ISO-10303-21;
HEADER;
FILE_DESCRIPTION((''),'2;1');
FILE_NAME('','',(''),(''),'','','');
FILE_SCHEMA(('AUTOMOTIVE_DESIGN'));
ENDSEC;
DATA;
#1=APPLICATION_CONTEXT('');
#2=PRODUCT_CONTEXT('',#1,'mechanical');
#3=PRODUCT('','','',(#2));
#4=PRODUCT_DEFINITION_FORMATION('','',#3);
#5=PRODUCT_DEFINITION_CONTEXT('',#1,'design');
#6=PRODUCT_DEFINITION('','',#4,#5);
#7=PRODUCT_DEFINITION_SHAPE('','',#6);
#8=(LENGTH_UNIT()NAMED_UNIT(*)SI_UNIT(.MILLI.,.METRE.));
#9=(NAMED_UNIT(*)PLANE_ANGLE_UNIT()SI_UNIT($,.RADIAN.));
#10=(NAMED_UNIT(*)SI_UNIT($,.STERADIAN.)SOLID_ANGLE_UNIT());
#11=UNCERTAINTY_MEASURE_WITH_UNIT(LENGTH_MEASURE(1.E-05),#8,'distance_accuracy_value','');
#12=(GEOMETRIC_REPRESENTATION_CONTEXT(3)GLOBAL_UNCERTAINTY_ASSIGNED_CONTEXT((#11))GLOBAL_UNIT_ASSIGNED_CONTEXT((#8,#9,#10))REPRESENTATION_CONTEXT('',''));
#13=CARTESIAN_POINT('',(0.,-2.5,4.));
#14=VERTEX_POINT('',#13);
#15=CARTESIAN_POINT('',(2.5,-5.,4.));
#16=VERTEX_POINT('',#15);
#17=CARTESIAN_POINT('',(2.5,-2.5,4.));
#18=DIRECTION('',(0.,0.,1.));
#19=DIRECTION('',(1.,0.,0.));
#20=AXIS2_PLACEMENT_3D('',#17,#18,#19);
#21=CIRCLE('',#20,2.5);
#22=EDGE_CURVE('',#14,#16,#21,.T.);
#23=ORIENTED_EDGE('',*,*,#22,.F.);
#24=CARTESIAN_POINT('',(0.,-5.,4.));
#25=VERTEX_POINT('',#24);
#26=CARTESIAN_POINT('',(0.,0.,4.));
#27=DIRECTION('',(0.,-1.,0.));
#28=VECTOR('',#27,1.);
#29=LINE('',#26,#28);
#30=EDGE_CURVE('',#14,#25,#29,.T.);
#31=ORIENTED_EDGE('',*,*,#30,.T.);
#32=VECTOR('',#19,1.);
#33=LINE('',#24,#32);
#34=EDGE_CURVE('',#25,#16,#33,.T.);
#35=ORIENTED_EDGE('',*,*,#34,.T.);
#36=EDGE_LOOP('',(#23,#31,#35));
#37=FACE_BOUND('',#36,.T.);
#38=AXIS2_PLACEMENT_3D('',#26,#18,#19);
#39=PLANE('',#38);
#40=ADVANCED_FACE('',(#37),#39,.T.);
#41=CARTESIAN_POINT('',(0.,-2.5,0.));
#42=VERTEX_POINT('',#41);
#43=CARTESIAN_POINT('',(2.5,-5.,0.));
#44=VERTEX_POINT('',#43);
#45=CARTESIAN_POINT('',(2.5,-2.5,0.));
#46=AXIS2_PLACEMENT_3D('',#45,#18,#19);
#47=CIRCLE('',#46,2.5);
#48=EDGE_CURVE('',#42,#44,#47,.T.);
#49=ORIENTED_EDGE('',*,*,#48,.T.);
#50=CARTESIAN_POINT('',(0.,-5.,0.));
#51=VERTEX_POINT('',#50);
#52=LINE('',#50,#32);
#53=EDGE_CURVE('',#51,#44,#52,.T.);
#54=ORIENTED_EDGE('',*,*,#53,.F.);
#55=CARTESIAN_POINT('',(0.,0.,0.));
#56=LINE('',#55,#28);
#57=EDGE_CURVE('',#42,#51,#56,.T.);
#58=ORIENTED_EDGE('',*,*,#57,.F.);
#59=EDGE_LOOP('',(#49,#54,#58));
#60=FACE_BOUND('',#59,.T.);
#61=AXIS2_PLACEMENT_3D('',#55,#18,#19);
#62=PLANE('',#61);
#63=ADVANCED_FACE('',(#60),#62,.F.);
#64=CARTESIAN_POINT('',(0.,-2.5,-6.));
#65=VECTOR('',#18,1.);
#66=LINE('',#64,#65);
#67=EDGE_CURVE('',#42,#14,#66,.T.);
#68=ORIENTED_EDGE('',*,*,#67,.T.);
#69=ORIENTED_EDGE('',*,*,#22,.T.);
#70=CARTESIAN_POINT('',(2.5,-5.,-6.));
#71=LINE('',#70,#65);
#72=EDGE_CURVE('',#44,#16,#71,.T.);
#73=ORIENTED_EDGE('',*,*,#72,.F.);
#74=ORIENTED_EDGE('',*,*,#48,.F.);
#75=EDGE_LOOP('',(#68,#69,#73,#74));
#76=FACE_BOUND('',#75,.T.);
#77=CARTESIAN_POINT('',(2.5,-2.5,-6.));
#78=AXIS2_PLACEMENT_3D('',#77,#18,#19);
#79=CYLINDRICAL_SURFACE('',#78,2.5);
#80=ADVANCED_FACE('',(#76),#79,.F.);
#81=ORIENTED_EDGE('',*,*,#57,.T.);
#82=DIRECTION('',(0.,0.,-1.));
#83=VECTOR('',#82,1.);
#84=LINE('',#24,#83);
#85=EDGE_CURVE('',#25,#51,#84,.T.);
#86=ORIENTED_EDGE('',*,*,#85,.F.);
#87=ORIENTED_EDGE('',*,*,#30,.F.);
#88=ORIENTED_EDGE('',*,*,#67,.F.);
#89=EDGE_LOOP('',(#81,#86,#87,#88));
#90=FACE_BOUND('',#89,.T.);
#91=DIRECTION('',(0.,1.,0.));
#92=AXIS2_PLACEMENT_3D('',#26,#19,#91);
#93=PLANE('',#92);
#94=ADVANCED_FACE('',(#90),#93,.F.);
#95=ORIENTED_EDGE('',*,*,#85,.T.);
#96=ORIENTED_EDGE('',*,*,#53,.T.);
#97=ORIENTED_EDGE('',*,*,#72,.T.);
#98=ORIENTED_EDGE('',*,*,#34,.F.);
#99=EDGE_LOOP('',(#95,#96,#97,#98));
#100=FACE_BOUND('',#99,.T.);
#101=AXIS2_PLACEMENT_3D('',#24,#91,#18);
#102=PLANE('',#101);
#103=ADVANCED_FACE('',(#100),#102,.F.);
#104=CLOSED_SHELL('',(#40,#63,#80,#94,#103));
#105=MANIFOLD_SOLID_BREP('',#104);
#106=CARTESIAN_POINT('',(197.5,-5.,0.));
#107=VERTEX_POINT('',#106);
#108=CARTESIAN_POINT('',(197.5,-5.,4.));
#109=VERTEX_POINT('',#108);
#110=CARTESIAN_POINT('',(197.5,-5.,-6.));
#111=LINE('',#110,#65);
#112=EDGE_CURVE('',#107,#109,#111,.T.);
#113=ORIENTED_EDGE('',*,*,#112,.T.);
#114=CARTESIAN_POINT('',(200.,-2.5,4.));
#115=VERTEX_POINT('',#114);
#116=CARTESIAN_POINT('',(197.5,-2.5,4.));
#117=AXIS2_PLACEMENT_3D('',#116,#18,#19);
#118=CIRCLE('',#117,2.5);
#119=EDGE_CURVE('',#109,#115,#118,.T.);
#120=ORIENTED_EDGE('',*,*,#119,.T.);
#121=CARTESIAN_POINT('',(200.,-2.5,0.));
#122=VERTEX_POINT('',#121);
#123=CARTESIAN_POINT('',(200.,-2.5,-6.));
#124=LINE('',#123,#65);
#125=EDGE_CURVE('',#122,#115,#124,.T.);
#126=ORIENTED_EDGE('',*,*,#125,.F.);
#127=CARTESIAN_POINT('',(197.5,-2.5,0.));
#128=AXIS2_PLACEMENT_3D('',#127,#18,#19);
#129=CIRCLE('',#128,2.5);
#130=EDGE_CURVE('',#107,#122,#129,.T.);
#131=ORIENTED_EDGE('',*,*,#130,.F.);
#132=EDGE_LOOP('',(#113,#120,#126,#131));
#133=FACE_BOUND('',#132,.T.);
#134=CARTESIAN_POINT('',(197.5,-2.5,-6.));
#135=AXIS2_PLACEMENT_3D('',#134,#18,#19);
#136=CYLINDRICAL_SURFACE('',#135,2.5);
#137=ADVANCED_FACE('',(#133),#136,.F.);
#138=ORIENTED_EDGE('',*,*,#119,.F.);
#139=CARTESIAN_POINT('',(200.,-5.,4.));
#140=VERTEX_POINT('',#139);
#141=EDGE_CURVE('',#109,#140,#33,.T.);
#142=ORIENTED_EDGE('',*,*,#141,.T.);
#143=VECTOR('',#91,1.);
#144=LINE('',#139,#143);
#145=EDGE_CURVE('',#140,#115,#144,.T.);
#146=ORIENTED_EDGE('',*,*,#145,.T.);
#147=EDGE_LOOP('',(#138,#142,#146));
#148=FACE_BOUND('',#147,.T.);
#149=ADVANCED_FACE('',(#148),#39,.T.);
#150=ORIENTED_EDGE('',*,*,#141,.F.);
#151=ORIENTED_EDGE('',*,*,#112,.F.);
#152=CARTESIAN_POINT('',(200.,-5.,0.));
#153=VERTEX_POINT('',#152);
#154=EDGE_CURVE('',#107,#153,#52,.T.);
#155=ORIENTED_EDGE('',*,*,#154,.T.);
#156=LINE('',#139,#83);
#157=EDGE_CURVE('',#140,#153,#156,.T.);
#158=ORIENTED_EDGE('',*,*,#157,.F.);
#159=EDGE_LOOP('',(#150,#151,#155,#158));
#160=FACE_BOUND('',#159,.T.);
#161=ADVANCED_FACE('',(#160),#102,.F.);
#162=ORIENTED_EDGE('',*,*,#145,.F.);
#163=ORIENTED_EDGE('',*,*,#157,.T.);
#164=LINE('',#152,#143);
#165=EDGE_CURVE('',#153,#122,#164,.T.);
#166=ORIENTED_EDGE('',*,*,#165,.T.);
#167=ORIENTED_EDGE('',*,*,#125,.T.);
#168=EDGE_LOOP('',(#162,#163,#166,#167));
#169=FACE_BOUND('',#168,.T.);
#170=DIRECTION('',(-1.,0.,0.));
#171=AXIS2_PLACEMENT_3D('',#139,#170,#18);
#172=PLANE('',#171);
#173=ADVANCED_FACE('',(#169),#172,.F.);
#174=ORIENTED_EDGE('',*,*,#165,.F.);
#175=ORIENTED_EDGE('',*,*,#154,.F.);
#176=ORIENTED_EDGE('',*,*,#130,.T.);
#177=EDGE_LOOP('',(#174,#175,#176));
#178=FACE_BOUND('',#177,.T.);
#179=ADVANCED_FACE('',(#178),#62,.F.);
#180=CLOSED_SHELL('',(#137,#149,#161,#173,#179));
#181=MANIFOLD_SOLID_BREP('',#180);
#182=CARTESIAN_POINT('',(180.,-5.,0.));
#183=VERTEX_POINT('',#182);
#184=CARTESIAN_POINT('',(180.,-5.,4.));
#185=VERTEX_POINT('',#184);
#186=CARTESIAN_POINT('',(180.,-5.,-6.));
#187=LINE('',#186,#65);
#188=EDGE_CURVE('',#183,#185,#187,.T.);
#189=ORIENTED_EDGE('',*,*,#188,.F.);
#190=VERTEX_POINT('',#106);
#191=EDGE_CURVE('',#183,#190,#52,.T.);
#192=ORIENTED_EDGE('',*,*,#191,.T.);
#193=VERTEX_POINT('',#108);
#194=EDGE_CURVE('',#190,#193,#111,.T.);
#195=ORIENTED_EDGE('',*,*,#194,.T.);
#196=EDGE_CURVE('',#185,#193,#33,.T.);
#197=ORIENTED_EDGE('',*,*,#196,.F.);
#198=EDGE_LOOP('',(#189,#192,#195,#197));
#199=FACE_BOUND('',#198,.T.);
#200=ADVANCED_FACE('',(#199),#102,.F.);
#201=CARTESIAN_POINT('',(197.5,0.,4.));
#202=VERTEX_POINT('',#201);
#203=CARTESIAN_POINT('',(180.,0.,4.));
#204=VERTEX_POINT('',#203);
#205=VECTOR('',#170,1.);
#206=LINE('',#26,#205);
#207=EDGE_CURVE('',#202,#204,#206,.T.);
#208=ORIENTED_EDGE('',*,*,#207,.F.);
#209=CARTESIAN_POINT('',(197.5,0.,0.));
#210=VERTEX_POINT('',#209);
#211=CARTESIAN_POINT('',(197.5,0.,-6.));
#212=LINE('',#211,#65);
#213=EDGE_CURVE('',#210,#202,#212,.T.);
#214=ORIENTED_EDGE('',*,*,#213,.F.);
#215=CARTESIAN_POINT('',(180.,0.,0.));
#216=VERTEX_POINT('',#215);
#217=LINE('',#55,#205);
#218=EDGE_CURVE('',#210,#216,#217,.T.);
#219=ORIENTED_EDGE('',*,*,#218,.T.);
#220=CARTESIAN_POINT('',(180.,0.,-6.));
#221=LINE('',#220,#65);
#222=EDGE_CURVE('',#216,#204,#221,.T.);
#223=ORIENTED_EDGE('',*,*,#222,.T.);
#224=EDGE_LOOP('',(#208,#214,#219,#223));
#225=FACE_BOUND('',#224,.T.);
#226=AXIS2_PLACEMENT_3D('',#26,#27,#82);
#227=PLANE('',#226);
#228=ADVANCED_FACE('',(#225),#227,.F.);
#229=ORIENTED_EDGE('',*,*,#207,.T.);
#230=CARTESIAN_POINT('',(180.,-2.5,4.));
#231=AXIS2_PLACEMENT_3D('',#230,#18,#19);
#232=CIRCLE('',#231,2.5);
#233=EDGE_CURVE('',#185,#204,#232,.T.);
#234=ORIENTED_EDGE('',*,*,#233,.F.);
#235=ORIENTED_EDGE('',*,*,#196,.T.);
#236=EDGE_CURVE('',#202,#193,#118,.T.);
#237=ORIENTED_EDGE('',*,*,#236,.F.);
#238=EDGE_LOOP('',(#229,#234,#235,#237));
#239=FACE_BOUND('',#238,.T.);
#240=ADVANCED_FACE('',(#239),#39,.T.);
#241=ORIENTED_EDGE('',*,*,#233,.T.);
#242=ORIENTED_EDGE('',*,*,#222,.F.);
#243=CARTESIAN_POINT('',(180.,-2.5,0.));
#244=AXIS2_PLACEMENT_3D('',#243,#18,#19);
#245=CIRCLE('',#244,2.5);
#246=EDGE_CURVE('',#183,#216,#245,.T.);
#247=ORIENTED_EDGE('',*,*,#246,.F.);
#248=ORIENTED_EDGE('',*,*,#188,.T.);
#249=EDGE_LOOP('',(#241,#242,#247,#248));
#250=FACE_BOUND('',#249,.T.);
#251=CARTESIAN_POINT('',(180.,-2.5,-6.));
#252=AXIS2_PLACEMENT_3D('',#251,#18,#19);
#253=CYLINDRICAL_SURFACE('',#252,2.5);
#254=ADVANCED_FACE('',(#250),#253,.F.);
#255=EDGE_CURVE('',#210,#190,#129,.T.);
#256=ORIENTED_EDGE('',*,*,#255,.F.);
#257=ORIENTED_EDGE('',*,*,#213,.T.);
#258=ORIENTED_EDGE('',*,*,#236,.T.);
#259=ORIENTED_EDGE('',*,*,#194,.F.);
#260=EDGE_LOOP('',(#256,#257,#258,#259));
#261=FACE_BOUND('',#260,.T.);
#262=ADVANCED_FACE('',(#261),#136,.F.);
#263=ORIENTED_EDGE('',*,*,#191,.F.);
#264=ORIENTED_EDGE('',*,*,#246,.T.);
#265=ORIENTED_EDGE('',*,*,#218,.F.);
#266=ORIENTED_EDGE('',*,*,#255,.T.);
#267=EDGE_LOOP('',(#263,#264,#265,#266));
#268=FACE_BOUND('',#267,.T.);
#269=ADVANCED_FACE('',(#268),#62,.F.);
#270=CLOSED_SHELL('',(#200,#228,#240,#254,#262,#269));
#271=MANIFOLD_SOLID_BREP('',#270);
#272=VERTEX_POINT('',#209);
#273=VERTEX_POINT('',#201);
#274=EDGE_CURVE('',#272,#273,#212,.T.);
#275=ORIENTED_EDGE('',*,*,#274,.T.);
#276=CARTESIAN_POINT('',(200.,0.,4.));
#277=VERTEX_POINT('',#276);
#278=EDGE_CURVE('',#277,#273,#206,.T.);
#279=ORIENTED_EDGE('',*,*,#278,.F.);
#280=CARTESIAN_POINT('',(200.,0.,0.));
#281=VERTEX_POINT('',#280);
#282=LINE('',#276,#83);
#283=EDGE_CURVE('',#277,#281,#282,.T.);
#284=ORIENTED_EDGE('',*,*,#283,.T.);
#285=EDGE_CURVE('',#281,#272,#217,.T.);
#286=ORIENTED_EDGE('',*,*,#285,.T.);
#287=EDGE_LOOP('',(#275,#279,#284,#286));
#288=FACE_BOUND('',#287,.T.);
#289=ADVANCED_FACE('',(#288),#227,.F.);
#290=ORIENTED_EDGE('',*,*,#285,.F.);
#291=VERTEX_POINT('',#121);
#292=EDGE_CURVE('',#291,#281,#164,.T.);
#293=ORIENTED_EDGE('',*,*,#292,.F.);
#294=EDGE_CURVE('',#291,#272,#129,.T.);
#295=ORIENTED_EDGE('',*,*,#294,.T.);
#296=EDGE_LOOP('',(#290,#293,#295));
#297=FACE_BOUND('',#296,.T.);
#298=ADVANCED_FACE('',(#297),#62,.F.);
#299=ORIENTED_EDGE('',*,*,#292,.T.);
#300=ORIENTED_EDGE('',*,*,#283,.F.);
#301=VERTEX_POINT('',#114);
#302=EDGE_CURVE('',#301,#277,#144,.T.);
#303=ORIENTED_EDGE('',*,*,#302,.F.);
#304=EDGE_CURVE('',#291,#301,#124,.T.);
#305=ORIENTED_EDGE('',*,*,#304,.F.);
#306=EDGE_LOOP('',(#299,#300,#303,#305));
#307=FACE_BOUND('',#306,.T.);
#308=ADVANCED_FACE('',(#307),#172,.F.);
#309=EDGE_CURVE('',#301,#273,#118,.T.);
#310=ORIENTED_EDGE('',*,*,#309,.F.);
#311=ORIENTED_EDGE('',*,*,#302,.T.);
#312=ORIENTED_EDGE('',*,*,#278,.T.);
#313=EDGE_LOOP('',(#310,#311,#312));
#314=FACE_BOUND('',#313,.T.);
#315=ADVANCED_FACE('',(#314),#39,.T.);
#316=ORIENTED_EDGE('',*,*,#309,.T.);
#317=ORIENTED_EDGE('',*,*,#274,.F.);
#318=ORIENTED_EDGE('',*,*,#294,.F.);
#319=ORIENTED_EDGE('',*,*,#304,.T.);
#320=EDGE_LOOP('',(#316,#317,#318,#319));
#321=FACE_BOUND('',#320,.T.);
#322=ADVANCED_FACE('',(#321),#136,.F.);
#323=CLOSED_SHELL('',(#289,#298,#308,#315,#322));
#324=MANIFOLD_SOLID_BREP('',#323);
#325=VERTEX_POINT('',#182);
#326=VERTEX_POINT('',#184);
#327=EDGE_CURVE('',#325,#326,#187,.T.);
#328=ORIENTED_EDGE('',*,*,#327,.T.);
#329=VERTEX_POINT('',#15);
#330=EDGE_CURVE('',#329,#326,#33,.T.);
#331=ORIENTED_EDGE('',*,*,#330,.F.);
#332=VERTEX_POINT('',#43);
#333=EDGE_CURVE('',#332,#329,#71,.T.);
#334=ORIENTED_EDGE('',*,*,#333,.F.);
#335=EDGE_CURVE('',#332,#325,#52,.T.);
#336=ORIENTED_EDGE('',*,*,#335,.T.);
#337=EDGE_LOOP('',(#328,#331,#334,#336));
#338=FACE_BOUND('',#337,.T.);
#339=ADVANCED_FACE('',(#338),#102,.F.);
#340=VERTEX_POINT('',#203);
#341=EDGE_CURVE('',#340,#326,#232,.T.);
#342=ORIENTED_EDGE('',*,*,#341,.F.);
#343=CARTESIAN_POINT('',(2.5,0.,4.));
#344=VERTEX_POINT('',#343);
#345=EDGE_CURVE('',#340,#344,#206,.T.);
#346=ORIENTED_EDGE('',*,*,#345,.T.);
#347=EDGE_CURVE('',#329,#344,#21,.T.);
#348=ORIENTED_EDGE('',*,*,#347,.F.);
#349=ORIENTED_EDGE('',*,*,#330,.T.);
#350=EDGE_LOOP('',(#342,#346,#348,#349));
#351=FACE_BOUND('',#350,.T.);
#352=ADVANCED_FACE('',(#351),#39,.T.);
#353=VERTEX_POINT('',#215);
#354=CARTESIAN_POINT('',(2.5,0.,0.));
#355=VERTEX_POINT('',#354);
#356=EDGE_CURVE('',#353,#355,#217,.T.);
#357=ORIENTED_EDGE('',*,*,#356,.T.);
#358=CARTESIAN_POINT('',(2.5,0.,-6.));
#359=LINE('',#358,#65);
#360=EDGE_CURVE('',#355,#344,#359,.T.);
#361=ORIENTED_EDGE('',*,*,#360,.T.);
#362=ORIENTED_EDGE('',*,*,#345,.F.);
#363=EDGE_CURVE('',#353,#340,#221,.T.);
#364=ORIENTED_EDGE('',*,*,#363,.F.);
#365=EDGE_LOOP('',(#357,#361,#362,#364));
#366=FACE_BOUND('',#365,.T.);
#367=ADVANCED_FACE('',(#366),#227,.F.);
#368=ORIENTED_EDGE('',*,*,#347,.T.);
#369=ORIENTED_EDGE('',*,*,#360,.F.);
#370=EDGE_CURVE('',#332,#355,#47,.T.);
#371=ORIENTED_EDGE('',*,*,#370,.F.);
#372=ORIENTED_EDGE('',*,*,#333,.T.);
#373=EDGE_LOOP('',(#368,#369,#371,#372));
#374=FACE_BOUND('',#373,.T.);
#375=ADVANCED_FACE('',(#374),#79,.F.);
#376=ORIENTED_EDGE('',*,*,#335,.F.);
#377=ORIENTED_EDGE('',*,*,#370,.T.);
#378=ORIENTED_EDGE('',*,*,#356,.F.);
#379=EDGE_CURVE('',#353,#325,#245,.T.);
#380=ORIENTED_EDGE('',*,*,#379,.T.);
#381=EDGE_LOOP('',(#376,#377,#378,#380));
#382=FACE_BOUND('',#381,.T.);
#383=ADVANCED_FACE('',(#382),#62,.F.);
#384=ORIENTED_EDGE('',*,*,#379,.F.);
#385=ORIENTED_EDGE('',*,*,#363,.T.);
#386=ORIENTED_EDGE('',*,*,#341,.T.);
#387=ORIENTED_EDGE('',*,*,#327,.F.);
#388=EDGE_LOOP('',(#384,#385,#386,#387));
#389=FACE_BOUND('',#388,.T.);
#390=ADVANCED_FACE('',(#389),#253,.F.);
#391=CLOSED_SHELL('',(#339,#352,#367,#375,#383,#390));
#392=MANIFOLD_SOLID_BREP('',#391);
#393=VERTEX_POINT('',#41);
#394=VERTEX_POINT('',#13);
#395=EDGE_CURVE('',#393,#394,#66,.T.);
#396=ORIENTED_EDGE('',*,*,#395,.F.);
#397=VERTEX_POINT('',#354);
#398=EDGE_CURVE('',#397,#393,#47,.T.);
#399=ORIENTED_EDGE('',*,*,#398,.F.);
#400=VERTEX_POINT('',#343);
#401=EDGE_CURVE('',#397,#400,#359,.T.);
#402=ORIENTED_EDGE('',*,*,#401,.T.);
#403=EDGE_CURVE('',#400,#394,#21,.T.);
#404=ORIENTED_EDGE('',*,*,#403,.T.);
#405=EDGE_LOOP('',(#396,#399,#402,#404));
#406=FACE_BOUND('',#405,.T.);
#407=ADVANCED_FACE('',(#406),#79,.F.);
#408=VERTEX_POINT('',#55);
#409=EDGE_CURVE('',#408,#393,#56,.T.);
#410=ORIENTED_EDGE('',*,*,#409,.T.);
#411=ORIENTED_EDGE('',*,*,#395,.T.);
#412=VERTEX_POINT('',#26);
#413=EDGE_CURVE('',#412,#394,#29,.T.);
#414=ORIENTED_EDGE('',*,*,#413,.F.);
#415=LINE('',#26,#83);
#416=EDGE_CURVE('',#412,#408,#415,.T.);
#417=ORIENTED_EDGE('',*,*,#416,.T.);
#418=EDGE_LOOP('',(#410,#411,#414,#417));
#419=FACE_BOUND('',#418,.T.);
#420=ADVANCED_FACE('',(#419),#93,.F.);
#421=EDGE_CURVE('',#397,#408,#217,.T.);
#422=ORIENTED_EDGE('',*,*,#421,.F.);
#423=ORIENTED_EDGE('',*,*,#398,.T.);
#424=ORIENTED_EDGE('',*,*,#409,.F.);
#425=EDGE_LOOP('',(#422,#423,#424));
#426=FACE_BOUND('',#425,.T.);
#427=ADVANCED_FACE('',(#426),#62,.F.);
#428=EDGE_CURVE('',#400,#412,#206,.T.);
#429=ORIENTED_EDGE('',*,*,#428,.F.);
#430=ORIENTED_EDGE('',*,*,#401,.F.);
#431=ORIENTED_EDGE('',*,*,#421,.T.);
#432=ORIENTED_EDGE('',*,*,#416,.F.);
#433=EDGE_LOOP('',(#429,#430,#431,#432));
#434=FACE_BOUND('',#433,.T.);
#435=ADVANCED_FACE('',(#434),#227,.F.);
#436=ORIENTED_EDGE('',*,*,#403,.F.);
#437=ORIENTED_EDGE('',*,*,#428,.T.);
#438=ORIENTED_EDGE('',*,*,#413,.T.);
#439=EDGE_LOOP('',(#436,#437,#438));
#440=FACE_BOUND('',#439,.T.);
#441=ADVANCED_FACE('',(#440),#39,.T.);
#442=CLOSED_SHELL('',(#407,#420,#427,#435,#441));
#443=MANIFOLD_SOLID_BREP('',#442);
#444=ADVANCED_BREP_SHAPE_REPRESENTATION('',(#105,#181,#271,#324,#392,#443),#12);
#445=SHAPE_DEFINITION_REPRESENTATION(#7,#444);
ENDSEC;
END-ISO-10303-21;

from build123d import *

# Parameters (mm, degrees)
SKETCH1_W           = 200
SKETCH1_H           = 5
BOSS_EXTRUDE1_DEPTH = 4
SKETCH2_R           = 2.5
CUT_EXTRUDE1_DEPTH  = 10


with BuildPart() as part:
    # Sketch1 → Boss-Extrude1 (new body)
    with BuildSketch(Plane.XY):
        with Locations((100, -2.5)):
            Rectangle(SKETCH1_W, SKETCH1_H)
    extrude(amount=BOSS_EXTRUDE1_DEPTH)

    # Sketch2 → Cut-Extrude1 (cut)
    with BuildSketch(Plane.XY.offset(4)):
        with Locations((180, -2.5)):
            Circle(SKETCH2_R)
        with Locations((2.5, -2.5)):
            Circle(SKETCH2_R)
        with Locations((197.5, -2.5)):
            Circle(SKETCH2_R)
    extrude(amount=-CUT_EXTRUDE1_DEPTH, mode=Mode.SUBTRACT)


solid = part.part
